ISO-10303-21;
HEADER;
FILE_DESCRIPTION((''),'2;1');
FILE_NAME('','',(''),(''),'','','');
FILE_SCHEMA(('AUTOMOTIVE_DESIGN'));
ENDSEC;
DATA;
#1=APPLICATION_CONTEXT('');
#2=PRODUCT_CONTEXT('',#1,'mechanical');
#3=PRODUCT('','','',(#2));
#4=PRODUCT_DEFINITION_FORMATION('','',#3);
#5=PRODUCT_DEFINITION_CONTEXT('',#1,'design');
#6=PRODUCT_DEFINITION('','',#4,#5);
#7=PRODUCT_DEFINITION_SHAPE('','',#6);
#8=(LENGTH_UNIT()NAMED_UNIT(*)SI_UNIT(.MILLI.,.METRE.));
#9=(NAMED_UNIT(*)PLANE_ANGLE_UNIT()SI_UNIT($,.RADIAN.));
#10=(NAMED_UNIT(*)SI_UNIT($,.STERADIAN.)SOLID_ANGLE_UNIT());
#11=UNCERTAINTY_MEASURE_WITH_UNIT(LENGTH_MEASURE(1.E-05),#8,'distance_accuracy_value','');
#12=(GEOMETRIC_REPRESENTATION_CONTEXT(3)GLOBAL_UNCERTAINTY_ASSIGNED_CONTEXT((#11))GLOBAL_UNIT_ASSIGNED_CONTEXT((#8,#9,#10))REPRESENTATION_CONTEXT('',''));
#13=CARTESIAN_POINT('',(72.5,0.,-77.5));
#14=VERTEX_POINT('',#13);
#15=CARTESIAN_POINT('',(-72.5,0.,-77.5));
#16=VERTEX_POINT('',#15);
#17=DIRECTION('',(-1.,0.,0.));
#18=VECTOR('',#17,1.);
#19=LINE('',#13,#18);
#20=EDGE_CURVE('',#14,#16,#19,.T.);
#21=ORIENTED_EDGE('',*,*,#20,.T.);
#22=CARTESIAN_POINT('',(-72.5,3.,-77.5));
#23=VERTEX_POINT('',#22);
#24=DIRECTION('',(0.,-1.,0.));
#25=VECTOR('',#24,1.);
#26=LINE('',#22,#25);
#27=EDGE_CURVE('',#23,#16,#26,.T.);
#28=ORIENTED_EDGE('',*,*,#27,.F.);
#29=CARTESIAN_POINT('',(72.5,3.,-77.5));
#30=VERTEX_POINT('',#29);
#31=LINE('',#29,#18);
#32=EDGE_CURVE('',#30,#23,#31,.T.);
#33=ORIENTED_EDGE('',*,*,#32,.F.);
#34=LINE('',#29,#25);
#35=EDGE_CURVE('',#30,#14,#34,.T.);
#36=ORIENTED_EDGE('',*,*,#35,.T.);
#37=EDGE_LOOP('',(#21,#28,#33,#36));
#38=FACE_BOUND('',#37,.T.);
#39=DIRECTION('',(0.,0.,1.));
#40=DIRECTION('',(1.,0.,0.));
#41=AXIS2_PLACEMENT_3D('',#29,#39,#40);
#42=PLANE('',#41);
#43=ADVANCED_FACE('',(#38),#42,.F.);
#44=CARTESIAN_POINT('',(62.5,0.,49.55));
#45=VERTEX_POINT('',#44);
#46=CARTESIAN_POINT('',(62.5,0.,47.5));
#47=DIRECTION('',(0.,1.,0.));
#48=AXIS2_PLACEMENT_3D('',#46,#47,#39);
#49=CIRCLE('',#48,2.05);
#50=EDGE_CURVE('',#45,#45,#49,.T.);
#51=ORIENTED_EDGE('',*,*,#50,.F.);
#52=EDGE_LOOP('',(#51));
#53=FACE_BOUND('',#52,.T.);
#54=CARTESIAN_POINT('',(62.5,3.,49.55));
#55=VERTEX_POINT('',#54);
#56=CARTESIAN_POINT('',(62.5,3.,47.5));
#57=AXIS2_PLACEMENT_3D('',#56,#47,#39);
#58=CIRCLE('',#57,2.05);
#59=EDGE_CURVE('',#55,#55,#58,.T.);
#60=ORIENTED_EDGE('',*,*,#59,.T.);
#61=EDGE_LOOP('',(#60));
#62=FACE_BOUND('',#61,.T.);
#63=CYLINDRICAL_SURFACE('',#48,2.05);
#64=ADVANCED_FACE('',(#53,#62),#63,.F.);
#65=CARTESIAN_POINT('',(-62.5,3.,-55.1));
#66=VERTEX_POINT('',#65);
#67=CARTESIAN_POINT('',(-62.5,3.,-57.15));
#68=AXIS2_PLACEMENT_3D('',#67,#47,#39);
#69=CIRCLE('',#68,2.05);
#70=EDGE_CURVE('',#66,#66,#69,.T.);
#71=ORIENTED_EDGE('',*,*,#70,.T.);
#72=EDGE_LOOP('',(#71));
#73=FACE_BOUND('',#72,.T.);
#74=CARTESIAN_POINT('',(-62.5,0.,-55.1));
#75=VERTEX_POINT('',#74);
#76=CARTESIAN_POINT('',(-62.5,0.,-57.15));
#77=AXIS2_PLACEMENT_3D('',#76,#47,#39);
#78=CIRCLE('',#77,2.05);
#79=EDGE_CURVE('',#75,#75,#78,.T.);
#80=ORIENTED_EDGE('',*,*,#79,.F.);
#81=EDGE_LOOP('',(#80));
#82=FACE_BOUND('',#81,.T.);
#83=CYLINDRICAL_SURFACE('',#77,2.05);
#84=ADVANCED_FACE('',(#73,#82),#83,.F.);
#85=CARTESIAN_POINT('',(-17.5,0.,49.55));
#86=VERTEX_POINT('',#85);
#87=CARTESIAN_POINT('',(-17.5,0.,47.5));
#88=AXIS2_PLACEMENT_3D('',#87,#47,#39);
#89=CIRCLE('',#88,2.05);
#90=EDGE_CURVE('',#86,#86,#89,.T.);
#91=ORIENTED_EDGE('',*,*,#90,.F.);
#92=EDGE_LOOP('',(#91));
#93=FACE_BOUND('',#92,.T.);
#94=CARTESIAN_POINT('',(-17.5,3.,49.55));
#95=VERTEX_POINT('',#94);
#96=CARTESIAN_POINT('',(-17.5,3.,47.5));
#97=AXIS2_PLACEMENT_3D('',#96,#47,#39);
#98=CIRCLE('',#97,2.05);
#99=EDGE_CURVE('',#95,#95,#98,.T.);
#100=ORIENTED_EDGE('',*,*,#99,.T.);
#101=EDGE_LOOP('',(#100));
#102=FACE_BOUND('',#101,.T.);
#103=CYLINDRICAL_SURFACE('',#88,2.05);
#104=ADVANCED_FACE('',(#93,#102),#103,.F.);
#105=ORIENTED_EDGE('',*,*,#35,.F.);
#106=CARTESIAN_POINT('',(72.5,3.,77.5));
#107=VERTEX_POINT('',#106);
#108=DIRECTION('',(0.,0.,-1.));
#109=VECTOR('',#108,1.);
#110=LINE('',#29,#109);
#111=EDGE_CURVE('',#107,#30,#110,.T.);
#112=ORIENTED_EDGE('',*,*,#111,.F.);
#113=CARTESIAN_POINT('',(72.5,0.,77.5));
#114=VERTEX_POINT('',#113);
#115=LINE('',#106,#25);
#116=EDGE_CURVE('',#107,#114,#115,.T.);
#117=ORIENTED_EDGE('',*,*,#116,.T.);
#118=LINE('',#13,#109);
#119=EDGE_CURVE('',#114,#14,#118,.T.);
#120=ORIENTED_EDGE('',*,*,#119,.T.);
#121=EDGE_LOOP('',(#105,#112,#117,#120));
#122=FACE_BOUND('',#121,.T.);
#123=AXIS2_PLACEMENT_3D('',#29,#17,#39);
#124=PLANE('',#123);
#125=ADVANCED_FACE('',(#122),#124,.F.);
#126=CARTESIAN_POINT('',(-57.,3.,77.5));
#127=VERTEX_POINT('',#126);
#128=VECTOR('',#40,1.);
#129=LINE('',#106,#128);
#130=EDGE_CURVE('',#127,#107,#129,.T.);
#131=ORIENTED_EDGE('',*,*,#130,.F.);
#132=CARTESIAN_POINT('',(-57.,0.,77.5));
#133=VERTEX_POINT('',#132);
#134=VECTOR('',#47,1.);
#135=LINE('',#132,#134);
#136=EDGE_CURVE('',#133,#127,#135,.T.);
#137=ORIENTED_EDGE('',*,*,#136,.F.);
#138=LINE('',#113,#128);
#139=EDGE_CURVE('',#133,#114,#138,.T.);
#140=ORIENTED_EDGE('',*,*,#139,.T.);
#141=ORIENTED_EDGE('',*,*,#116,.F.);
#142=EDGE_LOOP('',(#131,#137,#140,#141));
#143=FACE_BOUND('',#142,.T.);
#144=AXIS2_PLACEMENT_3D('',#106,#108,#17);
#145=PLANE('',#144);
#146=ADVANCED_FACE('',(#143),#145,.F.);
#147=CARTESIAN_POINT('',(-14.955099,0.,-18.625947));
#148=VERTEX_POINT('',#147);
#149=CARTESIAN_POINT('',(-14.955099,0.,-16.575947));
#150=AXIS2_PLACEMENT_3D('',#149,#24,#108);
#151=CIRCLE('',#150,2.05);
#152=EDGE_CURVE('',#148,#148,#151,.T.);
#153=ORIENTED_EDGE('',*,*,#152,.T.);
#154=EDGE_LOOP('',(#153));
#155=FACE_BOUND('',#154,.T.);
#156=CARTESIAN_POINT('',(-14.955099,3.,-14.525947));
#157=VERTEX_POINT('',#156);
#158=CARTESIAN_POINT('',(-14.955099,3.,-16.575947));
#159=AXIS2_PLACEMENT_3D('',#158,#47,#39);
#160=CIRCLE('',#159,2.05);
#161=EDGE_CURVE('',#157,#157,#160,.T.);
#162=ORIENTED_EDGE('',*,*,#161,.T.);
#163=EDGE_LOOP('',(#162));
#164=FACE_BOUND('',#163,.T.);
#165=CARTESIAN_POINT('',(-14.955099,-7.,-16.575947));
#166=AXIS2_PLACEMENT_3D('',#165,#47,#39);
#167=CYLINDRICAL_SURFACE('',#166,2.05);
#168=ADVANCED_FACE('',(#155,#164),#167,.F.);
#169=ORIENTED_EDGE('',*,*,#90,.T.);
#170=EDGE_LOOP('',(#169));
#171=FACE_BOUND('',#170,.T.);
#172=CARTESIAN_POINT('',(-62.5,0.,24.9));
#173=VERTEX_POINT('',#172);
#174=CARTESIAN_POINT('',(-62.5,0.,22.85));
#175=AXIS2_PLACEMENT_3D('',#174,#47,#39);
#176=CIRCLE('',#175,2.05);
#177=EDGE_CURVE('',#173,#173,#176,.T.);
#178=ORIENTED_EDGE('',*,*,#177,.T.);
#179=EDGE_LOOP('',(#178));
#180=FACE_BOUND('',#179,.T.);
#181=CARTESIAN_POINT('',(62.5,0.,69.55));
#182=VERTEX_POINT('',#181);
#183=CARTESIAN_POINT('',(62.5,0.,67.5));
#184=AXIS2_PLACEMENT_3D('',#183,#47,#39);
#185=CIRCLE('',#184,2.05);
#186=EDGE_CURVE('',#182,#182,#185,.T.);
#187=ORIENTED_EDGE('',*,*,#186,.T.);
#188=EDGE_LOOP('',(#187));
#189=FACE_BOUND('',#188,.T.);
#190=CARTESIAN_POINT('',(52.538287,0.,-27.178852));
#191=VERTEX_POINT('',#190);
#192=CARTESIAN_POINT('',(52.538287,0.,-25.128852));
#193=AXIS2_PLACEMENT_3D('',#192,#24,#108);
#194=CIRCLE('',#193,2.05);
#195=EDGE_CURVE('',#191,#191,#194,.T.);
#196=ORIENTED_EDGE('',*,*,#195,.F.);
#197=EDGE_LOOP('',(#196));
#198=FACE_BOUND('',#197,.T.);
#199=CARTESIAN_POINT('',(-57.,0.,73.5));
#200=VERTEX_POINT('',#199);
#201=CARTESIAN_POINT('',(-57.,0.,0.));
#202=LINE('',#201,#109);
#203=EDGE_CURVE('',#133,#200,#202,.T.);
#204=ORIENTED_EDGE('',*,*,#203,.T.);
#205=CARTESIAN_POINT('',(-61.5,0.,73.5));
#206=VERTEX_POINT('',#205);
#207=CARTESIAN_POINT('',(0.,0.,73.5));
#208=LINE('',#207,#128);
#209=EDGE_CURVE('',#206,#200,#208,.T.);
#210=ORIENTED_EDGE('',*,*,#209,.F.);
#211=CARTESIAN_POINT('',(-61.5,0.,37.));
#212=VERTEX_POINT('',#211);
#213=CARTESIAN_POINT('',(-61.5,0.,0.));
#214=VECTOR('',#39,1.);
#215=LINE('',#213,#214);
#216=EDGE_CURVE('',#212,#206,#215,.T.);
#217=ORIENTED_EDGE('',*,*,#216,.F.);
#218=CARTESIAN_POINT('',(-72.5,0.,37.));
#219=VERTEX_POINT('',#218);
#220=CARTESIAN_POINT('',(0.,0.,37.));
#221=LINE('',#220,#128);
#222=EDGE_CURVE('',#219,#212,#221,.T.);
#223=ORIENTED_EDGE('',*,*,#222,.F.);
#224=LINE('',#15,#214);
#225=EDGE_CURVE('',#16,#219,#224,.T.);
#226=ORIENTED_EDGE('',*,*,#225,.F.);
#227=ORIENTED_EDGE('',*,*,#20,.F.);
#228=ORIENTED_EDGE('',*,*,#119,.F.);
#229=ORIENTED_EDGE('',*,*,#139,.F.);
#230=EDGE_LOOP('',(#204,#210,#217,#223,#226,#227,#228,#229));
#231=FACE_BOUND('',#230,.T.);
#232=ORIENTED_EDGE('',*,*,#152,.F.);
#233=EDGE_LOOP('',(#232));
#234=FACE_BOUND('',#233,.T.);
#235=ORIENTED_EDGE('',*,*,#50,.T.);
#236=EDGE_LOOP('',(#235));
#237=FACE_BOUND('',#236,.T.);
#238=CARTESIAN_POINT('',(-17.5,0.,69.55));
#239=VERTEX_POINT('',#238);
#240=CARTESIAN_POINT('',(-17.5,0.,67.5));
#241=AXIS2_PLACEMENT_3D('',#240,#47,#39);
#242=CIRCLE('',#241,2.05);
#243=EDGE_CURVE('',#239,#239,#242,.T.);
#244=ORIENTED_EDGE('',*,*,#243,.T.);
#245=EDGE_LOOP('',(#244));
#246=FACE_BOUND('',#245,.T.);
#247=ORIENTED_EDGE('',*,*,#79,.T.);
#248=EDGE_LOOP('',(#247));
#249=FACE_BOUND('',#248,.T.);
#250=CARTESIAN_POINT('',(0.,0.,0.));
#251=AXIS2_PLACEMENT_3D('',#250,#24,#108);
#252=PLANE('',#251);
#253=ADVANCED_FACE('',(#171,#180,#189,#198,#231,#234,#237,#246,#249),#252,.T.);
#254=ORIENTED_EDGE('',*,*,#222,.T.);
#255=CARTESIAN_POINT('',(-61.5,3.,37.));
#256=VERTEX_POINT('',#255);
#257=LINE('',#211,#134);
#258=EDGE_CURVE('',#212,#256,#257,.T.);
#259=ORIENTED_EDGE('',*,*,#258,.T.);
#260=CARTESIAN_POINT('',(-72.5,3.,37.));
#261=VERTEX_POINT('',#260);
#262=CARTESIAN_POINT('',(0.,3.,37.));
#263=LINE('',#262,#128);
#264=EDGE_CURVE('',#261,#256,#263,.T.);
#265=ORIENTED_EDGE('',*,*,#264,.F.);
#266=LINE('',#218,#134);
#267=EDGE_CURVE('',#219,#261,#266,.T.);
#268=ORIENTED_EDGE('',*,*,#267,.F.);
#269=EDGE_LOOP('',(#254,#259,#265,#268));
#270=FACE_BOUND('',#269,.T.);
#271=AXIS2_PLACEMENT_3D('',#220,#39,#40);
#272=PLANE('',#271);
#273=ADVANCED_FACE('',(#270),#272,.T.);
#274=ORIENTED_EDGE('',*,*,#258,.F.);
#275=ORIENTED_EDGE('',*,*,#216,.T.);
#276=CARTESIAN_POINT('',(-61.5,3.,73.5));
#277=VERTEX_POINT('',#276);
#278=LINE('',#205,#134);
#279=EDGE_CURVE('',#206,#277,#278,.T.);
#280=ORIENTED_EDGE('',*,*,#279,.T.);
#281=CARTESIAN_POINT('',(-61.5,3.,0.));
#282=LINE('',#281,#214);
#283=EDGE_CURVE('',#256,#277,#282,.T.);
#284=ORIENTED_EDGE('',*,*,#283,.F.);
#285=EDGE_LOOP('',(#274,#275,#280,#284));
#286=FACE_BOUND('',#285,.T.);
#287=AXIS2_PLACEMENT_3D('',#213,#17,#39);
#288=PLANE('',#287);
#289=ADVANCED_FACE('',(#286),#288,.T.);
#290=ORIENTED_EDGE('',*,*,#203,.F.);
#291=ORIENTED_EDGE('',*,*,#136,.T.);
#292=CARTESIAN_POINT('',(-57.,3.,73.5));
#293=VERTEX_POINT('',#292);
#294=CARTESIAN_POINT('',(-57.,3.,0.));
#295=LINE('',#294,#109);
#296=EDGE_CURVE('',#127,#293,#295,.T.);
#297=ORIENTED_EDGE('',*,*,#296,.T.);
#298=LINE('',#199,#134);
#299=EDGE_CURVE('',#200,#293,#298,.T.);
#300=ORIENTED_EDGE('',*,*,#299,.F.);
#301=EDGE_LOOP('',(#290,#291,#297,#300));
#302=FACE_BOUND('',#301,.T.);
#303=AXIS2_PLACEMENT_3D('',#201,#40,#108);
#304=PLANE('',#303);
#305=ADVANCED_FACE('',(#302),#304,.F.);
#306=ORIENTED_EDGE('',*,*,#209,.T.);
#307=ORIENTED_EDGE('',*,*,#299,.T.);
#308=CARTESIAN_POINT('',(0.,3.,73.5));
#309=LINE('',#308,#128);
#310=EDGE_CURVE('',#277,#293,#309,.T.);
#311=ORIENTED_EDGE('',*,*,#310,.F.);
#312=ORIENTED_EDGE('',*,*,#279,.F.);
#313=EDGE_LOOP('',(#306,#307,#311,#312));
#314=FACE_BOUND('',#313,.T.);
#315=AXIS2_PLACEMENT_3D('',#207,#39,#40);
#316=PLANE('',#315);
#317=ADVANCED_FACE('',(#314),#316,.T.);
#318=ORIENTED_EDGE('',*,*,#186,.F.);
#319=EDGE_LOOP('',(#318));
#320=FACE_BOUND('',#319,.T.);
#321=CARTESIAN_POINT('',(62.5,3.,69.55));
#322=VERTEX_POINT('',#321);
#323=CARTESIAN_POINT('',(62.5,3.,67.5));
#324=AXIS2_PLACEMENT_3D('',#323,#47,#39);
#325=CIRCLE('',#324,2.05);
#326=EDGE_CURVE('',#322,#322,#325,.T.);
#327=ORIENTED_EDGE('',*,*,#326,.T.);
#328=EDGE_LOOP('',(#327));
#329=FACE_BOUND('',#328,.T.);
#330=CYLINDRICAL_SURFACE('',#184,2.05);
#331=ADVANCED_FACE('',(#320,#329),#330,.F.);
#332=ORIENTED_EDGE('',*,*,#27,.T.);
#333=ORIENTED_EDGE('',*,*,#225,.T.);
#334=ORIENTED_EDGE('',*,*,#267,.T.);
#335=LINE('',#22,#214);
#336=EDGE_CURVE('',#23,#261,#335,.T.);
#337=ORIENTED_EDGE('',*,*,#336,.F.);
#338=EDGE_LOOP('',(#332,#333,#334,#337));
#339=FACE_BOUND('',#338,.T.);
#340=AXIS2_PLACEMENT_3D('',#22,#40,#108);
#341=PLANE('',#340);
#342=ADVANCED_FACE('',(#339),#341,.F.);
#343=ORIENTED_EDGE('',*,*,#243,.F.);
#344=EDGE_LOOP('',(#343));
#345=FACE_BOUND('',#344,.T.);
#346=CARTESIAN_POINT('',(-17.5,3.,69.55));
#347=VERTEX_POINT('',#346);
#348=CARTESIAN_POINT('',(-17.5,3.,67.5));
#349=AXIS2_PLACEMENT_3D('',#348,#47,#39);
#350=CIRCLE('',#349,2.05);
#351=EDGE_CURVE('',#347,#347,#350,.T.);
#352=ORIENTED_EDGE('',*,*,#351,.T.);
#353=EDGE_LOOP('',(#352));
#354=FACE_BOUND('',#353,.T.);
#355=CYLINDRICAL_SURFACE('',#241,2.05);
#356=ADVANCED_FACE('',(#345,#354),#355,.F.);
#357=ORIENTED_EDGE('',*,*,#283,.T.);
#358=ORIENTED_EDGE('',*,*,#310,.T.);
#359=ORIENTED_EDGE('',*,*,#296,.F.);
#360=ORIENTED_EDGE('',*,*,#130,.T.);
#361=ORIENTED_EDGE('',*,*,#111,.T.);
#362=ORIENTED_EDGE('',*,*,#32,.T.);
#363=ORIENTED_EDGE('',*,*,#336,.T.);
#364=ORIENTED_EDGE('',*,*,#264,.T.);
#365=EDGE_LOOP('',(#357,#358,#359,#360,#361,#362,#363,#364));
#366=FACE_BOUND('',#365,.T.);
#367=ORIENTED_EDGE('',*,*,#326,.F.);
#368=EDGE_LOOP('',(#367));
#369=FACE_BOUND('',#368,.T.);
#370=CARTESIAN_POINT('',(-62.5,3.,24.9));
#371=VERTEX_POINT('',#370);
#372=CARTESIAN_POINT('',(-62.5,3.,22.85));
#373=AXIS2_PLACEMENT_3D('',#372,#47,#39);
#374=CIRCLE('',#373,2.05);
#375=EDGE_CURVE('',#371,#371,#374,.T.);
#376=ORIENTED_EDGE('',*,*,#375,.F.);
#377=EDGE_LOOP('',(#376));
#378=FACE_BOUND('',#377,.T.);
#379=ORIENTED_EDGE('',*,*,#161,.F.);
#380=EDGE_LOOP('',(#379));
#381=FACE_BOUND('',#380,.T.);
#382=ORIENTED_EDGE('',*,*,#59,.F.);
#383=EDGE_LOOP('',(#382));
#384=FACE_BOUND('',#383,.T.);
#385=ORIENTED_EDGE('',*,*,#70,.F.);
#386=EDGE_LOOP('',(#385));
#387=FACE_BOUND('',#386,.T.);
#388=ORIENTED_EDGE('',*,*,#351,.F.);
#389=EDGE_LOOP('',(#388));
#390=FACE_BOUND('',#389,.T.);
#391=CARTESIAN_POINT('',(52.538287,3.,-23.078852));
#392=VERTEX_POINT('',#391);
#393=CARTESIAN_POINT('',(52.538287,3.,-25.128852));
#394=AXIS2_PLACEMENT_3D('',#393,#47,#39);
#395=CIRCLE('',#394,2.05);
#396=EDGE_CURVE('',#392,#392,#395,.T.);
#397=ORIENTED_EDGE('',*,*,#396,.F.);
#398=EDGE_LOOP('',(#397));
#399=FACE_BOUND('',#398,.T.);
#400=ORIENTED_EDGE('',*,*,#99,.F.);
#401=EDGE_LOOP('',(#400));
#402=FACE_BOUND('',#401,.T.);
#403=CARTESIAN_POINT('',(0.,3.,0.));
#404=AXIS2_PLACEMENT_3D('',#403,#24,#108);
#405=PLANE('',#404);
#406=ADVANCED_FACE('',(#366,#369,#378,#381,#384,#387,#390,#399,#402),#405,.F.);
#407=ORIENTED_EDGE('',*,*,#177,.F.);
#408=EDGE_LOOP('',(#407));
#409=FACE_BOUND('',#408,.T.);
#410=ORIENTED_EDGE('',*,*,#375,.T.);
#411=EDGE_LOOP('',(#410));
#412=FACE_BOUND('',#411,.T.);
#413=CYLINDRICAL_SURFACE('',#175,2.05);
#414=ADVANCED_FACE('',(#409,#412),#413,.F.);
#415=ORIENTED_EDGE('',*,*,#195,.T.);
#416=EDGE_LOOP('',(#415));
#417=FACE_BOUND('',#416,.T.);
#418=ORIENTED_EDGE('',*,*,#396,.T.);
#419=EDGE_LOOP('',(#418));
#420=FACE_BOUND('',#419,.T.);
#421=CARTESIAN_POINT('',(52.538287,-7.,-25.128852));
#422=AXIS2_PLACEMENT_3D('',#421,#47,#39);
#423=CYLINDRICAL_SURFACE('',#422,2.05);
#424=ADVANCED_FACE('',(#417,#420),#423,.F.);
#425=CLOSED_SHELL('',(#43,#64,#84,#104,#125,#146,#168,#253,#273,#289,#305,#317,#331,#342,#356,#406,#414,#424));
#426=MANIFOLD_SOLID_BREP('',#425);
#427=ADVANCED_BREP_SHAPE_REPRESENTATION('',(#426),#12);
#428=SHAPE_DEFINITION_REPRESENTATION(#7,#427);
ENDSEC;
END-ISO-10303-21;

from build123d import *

# Parameters (mm, degrees)
SKETCH1_W           = 145
SKETCH1_H           = 155
BOSS_EXTRUDE1_DEPTH = 3
SKETCH3_W           = 4.5
SKETCH3_H           = 4
CUT_EXTRUDE1_DEPTH  = 3
SKETCH4_R           = 2.05
CUT_EXTRUDE2_DEPTH  = 3
SKETCH5_R           = 2.05
CUT_EXTRUDE3_DEPTH  = 10


with BuildPart() as part:
    # Sketch1 → Boss-Extrude1 (new body)
    with BuildSketch(Plane(origin=(0, 0, 0), x_dir=(1, 0, 0), z_dir=(0, 1, 0))):
        Rectangle(SKETCH1_W, SKETCH1_H)
    extrude(amount=BOSS_EXTRUDE1_DEPTH)

    # Sketch3 → Cut-Extrude1 (cut)
    with BuildSketch(Plane(origin=(0, 3, 0), x_dir=(1, 0, 0), z_dir=(0, 1, 0))):
        Polygon((-61.5, -37), (-72.5, -37), (-72.5, -77.5), (-61.5, -77.5), (-61.5, -73.5), align=None)
        with Locations((-59.25, -75.5)):
            Rectangle(SKETCH3_W, SKETCH3_H)
    extrude(amount=-CUT_EXTRUDE1_DEPTH, mode=Mode.SUBTRACT)

    # Sketch4 → Cut-Extrude2 (cut)
    with BuildSketch(Plane(origin=(0, 3, 0), x_dir=(1, 0, 0), z_dir=(0, 1, 0))):
        with Locations(Location((-17.5, -67.5, 0), (0, 0, 270))):
            Circle(SKETCH4_R)
        with Locations(Location((62.5, -67.5, 0), (0, 0, 270))):
            Circle(SKETCH4_R)
        with Locations(Location((-62.5, -22.85, 0), (0, 0, 270))):
            Circle(SKETCH4_R)
        with Locations(Location((-62.5, 57.15, 0), (0, 0, 270))):
            Circle(SKETCH4_R)
        with Locations(Location((62.5, -47.5, 0), (0, 0, 270))):
            Circle(SKETCH4_R)
        with Locations(Location((-17.5, -47.5, 0), (0, 0, 270))):
            Circle(SKETCH4_R)
    extrude(amount=-CUT_EXTRUDE2_DEPTH, mode=Mode.SUBTRACT)

    # Sketch5 → Cut-Extrude3 (cut)
    with BuildSketch(Plane(origin=(0, 3, 0), x_dir=(1, 0, 0), z_dir=(0, 1, 0))):
        with Locations(Location((52.538287268, 25.128851924, 0), (0, 0, 270))):
            Circle(SKETCH5_R)
        with Locations(Location((-14.95509898, 16.575946892, 0), (0, 0, 270))):
            Circle(SKETCH5_R)
    extrude(amount=-CUT_EXTRUDE3_DEPTH, mode=Mode.SUBTRACT)


solid = part.part
